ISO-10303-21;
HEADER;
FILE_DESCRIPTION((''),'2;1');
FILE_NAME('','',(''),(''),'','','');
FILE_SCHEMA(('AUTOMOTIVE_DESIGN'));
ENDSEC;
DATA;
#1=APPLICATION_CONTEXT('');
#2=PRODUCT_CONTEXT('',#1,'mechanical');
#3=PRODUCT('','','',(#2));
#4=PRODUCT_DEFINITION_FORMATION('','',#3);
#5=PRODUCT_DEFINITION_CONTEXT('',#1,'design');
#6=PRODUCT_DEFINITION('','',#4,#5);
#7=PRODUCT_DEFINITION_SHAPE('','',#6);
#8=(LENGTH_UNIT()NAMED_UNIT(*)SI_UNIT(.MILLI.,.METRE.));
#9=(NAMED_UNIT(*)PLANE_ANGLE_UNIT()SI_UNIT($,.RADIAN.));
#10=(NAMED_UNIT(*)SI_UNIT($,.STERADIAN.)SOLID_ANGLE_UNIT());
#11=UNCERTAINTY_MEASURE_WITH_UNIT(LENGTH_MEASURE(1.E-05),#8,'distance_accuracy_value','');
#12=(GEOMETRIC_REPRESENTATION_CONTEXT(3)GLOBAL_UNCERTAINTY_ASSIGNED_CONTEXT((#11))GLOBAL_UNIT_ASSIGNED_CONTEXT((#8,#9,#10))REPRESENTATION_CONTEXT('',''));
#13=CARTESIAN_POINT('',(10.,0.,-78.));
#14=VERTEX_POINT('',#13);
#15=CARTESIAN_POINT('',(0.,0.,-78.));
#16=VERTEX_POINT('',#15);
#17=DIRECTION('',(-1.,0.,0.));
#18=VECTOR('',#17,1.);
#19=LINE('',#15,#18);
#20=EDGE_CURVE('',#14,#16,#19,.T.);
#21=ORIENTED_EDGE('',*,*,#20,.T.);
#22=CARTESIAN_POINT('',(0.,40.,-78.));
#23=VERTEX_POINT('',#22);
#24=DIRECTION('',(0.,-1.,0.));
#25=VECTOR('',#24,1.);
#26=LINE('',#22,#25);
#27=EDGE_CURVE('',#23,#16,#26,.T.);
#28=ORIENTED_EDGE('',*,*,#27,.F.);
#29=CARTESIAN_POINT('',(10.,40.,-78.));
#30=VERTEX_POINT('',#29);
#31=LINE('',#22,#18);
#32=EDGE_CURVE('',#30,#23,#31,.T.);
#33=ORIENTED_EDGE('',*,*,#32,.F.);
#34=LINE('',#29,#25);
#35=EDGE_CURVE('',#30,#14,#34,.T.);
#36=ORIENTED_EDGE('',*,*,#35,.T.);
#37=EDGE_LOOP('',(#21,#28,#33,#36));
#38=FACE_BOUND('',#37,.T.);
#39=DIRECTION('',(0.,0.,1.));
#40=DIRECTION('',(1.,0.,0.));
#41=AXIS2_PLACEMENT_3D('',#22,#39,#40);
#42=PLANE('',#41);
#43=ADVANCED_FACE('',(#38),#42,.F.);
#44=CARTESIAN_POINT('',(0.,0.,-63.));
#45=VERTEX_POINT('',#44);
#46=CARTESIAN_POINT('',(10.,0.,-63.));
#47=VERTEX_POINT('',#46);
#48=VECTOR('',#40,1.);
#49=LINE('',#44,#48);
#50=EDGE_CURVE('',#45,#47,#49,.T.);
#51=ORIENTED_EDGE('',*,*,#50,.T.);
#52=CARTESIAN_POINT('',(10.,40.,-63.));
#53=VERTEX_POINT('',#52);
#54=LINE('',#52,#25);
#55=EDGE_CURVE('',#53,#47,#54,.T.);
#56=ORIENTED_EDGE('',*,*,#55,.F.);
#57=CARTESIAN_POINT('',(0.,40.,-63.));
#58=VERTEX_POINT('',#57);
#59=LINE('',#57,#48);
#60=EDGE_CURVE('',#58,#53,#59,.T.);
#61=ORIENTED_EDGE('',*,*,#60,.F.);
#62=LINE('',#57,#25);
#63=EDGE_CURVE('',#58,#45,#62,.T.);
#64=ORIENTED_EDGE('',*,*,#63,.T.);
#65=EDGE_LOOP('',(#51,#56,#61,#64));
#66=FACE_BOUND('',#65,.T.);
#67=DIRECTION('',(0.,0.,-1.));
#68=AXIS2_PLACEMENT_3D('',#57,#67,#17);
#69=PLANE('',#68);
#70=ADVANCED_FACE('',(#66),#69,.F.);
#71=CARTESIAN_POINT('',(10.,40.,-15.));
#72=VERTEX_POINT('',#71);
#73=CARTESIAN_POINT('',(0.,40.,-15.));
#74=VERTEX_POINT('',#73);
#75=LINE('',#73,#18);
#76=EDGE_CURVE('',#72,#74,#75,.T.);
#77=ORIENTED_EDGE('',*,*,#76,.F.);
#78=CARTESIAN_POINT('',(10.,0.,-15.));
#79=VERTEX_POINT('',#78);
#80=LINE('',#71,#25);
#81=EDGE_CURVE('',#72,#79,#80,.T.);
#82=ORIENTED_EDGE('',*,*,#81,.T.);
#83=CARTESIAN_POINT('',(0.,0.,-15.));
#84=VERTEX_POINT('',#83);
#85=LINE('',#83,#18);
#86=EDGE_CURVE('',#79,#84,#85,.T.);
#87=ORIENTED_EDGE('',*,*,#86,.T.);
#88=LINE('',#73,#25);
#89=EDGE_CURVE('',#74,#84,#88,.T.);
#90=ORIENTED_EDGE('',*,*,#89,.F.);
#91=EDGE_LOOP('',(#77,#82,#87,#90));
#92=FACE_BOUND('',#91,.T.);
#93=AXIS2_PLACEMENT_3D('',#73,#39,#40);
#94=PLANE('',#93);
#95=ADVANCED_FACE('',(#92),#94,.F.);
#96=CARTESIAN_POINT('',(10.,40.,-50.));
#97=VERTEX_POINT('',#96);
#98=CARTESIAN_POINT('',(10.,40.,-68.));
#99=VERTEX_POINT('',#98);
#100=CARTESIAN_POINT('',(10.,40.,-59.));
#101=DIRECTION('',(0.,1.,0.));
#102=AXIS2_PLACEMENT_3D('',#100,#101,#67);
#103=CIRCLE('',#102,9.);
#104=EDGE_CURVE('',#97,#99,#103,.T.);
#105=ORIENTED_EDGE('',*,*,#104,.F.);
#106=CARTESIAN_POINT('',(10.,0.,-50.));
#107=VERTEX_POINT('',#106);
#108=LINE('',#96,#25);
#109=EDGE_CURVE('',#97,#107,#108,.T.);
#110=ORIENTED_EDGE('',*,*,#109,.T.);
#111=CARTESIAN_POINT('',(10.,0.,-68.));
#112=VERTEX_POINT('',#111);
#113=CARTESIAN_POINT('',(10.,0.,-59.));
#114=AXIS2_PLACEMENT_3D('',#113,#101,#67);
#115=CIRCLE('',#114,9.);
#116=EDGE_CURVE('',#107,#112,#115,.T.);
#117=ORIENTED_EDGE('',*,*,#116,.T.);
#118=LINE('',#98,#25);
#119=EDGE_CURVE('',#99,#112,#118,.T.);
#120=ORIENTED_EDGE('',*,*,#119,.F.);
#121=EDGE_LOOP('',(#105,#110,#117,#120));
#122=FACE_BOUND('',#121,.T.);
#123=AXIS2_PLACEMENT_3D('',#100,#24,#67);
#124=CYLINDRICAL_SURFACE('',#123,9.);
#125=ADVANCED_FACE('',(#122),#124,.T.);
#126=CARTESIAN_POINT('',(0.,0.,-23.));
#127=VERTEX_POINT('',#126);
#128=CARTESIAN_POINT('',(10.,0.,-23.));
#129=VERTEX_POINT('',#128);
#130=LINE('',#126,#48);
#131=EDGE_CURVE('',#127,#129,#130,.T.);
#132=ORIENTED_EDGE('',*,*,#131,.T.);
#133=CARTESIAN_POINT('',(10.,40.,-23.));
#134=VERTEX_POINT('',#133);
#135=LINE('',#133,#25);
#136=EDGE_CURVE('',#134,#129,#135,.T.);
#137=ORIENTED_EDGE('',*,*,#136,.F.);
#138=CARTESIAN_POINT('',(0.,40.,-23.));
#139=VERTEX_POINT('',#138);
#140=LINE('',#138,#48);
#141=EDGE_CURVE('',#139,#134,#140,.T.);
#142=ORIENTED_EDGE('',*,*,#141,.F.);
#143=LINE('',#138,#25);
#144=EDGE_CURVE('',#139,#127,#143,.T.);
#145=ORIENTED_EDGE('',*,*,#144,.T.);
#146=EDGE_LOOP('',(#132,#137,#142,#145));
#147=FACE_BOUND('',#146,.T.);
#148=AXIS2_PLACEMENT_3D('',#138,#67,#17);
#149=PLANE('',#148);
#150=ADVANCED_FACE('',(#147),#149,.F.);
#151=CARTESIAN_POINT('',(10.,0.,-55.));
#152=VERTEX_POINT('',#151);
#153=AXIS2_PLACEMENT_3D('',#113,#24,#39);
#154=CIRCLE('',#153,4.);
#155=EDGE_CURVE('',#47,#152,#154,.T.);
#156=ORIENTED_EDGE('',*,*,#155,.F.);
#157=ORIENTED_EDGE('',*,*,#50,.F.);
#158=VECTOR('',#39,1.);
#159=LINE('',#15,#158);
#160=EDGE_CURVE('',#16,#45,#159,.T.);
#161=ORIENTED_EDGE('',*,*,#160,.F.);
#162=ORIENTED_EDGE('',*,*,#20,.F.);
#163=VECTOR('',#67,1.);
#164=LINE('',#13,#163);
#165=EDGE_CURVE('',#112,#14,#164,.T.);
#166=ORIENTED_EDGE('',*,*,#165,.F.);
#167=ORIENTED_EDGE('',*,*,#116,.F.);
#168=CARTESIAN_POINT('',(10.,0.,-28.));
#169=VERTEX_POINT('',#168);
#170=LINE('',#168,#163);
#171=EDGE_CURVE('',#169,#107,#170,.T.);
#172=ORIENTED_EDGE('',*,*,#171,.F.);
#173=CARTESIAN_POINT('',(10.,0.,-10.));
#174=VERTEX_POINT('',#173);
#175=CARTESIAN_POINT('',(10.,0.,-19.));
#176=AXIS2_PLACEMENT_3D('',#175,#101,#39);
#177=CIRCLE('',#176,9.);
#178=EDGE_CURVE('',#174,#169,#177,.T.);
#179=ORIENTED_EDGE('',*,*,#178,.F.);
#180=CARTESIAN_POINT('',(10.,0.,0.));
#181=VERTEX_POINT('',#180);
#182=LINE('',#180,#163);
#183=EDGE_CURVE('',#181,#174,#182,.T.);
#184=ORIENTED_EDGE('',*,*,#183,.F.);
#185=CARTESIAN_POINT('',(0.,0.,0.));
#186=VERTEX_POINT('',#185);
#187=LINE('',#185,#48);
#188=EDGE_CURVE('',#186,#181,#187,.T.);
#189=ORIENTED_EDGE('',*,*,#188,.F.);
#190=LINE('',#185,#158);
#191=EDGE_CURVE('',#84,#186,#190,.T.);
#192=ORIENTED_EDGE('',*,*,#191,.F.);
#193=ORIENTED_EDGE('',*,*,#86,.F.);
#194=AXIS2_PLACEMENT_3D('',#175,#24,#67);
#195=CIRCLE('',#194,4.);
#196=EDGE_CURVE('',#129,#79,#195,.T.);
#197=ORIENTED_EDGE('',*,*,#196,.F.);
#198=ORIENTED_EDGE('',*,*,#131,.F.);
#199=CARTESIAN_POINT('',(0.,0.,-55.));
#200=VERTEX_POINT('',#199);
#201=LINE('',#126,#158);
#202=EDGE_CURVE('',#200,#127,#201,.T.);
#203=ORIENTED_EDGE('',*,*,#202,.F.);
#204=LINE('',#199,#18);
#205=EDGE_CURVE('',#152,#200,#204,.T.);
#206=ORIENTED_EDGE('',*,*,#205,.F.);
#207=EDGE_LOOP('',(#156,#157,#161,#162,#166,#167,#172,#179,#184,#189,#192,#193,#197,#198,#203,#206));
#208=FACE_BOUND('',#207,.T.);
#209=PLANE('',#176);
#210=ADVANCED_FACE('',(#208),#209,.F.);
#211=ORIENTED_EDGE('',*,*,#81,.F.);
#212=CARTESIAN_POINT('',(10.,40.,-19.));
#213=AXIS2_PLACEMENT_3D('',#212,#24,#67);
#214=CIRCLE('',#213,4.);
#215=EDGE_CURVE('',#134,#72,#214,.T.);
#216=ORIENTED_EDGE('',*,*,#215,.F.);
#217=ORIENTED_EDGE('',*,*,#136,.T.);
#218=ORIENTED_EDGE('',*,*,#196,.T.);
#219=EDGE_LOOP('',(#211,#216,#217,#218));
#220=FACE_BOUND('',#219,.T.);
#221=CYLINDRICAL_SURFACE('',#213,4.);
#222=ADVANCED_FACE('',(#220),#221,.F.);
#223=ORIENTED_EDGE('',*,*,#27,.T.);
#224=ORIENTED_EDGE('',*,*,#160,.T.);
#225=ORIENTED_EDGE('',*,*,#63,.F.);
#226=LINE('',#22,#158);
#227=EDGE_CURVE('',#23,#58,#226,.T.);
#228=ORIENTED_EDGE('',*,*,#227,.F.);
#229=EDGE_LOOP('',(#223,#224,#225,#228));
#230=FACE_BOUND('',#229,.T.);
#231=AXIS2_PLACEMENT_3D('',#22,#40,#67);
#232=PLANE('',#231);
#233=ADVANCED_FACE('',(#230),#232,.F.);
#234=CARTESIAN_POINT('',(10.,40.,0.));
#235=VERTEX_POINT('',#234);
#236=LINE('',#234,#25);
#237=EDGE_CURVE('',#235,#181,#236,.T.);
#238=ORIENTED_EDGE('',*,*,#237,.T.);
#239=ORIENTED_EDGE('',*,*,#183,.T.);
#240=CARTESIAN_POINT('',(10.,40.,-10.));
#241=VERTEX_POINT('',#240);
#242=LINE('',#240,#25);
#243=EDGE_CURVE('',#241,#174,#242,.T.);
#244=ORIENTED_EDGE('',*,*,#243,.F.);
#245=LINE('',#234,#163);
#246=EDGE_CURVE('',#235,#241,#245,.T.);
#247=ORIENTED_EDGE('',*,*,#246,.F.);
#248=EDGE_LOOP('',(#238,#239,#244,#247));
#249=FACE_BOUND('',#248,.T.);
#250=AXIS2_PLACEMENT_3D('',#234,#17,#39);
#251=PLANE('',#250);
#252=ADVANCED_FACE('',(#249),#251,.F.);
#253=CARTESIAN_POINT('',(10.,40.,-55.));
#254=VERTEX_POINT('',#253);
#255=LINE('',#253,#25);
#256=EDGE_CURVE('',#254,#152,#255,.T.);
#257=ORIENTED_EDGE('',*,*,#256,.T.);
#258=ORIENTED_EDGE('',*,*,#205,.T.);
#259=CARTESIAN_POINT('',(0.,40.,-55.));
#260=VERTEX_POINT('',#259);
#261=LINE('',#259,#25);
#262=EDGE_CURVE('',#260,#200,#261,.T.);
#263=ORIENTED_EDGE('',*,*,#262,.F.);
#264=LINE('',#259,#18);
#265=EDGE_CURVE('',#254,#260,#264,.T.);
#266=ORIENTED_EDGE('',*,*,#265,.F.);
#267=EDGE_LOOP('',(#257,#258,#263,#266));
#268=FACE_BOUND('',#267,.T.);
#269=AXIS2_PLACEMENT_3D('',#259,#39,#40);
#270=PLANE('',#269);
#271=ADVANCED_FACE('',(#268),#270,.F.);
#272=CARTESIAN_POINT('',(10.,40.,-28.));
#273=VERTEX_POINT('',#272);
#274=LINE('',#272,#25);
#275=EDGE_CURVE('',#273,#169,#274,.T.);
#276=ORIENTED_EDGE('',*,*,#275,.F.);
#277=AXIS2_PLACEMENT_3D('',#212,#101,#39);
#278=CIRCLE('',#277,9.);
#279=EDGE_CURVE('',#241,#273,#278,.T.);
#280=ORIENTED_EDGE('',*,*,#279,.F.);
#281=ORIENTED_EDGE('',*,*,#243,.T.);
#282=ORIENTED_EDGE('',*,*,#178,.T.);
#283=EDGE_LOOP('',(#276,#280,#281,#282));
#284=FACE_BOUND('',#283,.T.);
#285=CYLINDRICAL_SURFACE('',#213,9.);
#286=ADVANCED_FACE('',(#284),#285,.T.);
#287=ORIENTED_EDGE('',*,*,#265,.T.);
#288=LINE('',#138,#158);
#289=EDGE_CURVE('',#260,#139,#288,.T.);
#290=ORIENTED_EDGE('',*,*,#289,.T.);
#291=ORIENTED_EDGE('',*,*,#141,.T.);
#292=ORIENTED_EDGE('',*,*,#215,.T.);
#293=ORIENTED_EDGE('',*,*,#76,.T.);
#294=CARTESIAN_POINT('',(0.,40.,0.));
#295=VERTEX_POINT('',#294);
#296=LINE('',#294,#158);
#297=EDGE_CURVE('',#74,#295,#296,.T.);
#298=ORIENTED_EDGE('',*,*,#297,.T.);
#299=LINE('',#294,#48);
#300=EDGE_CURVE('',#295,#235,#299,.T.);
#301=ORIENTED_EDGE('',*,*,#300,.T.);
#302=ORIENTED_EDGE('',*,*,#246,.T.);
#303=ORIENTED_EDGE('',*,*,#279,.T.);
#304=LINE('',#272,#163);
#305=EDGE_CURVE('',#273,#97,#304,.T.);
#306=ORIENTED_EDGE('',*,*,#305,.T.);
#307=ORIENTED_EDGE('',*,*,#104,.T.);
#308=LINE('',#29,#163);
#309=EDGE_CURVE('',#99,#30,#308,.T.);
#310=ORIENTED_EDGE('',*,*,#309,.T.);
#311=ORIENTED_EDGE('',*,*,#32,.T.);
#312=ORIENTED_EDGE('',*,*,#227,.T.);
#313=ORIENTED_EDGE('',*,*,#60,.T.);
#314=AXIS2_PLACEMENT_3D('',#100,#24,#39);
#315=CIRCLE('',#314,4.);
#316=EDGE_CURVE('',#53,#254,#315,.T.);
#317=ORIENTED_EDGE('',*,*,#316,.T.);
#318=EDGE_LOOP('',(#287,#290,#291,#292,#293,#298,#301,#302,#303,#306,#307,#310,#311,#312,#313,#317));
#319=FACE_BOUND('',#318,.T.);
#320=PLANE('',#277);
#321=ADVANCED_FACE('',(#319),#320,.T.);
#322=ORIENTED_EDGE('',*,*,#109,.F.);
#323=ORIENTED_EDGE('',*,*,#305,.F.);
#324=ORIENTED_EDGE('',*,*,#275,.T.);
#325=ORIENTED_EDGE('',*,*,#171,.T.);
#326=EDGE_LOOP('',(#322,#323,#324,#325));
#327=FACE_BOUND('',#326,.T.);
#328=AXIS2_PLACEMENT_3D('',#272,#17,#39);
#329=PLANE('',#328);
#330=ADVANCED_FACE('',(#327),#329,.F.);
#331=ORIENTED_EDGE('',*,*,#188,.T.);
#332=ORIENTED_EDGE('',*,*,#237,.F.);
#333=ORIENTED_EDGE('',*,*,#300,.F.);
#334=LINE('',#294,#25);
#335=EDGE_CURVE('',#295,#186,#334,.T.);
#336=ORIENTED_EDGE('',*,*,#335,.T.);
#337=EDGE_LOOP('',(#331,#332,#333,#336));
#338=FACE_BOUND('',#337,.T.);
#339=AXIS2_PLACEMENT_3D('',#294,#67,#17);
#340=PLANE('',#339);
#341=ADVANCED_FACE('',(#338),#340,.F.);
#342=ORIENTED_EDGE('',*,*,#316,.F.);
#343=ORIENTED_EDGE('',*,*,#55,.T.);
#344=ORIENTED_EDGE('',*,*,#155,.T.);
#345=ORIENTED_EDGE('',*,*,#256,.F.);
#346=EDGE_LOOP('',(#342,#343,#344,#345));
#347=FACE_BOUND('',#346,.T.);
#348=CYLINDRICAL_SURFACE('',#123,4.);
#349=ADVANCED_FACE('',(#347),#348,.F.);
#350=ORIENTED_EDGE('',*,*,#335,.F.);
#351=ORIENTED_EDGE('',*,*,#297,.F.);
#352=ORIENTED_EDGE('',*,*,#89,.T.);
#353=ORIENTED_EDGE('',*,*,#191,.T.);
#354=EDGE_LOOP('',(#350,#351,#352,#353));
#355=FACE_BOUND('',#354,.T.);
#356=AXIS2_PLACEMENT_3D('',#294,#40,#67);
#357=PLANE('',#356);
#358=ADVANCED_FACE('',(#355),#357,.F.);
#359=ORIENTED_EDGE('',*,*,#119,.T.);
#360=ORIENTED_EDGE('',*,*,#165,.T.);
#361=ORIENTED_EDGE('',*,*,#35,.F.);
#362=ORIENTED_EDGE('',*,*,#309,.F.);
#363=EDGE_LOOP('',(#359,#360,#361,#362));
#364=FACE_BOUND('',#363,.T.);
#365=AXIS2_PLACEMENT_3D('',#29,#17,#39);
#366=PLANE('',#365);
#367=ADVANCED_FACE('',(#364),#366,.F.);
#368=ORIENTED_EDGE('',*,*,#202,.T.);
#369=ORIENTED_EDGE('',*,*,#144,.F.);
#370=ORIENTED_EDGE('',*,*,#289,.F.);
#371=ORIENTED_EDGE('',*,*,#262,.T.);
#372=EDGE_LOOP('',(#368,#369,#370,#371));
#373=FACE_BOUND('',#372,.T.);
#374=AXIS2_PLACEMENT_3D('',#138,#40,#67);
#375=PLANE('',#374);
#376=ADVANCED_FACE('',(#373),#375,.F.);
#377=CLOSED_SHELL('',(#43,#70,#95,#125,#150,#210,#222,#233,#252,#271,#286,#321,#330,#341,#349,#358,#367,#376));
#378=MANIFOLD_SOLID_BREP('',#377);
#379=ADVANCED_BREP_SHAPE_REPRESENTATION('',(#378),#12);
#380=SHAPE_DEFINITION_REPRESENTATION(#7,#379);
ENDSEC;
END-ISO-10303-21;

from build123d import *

# Parameters (mm, degrees)
BOSS_EXTRUDE1_DEPTH = 40


with BuildPart() as part:
    # Sketch2 → Boss-Extrude1 (new body)
    with BuildSketch(Plane(origin=(0, 0, 0), x_dir=(1, 0, 0), z_dir=(0, 1, 0))):
        with BuildLine():
            Line((0, 0), (0, 15))
            Line((0, 15), (10, 15))
            ThreePointArc((10, 15), (14, 19), (10, 23))
            Line((10, 23), (0, 23))
            Line((0, 23), (0, 55))
            Line((0, 55), (10, 55))
            ThreePointArc((10, 55), (14, 59), (10, 63))
            Line((10, 63), (0, 63))
            Line((0, 63), (0, 78))
            Line((0, 78), (10, 78))
            Line((10, 78), (10, 68))
            ThreePointArc((10, 68), (19, 59), (10, 50))
            Line((10, 50), (10, 28))
            ThreePointArc((10, 28), (19, 19), (10, 10))
            Line((10, 10), (10, 0))
            Line((10, 0), (0, 0))
        make_face()
    extrude(amount=BOSS_EXTRUDE1_DEPTH)


solid = part.part
